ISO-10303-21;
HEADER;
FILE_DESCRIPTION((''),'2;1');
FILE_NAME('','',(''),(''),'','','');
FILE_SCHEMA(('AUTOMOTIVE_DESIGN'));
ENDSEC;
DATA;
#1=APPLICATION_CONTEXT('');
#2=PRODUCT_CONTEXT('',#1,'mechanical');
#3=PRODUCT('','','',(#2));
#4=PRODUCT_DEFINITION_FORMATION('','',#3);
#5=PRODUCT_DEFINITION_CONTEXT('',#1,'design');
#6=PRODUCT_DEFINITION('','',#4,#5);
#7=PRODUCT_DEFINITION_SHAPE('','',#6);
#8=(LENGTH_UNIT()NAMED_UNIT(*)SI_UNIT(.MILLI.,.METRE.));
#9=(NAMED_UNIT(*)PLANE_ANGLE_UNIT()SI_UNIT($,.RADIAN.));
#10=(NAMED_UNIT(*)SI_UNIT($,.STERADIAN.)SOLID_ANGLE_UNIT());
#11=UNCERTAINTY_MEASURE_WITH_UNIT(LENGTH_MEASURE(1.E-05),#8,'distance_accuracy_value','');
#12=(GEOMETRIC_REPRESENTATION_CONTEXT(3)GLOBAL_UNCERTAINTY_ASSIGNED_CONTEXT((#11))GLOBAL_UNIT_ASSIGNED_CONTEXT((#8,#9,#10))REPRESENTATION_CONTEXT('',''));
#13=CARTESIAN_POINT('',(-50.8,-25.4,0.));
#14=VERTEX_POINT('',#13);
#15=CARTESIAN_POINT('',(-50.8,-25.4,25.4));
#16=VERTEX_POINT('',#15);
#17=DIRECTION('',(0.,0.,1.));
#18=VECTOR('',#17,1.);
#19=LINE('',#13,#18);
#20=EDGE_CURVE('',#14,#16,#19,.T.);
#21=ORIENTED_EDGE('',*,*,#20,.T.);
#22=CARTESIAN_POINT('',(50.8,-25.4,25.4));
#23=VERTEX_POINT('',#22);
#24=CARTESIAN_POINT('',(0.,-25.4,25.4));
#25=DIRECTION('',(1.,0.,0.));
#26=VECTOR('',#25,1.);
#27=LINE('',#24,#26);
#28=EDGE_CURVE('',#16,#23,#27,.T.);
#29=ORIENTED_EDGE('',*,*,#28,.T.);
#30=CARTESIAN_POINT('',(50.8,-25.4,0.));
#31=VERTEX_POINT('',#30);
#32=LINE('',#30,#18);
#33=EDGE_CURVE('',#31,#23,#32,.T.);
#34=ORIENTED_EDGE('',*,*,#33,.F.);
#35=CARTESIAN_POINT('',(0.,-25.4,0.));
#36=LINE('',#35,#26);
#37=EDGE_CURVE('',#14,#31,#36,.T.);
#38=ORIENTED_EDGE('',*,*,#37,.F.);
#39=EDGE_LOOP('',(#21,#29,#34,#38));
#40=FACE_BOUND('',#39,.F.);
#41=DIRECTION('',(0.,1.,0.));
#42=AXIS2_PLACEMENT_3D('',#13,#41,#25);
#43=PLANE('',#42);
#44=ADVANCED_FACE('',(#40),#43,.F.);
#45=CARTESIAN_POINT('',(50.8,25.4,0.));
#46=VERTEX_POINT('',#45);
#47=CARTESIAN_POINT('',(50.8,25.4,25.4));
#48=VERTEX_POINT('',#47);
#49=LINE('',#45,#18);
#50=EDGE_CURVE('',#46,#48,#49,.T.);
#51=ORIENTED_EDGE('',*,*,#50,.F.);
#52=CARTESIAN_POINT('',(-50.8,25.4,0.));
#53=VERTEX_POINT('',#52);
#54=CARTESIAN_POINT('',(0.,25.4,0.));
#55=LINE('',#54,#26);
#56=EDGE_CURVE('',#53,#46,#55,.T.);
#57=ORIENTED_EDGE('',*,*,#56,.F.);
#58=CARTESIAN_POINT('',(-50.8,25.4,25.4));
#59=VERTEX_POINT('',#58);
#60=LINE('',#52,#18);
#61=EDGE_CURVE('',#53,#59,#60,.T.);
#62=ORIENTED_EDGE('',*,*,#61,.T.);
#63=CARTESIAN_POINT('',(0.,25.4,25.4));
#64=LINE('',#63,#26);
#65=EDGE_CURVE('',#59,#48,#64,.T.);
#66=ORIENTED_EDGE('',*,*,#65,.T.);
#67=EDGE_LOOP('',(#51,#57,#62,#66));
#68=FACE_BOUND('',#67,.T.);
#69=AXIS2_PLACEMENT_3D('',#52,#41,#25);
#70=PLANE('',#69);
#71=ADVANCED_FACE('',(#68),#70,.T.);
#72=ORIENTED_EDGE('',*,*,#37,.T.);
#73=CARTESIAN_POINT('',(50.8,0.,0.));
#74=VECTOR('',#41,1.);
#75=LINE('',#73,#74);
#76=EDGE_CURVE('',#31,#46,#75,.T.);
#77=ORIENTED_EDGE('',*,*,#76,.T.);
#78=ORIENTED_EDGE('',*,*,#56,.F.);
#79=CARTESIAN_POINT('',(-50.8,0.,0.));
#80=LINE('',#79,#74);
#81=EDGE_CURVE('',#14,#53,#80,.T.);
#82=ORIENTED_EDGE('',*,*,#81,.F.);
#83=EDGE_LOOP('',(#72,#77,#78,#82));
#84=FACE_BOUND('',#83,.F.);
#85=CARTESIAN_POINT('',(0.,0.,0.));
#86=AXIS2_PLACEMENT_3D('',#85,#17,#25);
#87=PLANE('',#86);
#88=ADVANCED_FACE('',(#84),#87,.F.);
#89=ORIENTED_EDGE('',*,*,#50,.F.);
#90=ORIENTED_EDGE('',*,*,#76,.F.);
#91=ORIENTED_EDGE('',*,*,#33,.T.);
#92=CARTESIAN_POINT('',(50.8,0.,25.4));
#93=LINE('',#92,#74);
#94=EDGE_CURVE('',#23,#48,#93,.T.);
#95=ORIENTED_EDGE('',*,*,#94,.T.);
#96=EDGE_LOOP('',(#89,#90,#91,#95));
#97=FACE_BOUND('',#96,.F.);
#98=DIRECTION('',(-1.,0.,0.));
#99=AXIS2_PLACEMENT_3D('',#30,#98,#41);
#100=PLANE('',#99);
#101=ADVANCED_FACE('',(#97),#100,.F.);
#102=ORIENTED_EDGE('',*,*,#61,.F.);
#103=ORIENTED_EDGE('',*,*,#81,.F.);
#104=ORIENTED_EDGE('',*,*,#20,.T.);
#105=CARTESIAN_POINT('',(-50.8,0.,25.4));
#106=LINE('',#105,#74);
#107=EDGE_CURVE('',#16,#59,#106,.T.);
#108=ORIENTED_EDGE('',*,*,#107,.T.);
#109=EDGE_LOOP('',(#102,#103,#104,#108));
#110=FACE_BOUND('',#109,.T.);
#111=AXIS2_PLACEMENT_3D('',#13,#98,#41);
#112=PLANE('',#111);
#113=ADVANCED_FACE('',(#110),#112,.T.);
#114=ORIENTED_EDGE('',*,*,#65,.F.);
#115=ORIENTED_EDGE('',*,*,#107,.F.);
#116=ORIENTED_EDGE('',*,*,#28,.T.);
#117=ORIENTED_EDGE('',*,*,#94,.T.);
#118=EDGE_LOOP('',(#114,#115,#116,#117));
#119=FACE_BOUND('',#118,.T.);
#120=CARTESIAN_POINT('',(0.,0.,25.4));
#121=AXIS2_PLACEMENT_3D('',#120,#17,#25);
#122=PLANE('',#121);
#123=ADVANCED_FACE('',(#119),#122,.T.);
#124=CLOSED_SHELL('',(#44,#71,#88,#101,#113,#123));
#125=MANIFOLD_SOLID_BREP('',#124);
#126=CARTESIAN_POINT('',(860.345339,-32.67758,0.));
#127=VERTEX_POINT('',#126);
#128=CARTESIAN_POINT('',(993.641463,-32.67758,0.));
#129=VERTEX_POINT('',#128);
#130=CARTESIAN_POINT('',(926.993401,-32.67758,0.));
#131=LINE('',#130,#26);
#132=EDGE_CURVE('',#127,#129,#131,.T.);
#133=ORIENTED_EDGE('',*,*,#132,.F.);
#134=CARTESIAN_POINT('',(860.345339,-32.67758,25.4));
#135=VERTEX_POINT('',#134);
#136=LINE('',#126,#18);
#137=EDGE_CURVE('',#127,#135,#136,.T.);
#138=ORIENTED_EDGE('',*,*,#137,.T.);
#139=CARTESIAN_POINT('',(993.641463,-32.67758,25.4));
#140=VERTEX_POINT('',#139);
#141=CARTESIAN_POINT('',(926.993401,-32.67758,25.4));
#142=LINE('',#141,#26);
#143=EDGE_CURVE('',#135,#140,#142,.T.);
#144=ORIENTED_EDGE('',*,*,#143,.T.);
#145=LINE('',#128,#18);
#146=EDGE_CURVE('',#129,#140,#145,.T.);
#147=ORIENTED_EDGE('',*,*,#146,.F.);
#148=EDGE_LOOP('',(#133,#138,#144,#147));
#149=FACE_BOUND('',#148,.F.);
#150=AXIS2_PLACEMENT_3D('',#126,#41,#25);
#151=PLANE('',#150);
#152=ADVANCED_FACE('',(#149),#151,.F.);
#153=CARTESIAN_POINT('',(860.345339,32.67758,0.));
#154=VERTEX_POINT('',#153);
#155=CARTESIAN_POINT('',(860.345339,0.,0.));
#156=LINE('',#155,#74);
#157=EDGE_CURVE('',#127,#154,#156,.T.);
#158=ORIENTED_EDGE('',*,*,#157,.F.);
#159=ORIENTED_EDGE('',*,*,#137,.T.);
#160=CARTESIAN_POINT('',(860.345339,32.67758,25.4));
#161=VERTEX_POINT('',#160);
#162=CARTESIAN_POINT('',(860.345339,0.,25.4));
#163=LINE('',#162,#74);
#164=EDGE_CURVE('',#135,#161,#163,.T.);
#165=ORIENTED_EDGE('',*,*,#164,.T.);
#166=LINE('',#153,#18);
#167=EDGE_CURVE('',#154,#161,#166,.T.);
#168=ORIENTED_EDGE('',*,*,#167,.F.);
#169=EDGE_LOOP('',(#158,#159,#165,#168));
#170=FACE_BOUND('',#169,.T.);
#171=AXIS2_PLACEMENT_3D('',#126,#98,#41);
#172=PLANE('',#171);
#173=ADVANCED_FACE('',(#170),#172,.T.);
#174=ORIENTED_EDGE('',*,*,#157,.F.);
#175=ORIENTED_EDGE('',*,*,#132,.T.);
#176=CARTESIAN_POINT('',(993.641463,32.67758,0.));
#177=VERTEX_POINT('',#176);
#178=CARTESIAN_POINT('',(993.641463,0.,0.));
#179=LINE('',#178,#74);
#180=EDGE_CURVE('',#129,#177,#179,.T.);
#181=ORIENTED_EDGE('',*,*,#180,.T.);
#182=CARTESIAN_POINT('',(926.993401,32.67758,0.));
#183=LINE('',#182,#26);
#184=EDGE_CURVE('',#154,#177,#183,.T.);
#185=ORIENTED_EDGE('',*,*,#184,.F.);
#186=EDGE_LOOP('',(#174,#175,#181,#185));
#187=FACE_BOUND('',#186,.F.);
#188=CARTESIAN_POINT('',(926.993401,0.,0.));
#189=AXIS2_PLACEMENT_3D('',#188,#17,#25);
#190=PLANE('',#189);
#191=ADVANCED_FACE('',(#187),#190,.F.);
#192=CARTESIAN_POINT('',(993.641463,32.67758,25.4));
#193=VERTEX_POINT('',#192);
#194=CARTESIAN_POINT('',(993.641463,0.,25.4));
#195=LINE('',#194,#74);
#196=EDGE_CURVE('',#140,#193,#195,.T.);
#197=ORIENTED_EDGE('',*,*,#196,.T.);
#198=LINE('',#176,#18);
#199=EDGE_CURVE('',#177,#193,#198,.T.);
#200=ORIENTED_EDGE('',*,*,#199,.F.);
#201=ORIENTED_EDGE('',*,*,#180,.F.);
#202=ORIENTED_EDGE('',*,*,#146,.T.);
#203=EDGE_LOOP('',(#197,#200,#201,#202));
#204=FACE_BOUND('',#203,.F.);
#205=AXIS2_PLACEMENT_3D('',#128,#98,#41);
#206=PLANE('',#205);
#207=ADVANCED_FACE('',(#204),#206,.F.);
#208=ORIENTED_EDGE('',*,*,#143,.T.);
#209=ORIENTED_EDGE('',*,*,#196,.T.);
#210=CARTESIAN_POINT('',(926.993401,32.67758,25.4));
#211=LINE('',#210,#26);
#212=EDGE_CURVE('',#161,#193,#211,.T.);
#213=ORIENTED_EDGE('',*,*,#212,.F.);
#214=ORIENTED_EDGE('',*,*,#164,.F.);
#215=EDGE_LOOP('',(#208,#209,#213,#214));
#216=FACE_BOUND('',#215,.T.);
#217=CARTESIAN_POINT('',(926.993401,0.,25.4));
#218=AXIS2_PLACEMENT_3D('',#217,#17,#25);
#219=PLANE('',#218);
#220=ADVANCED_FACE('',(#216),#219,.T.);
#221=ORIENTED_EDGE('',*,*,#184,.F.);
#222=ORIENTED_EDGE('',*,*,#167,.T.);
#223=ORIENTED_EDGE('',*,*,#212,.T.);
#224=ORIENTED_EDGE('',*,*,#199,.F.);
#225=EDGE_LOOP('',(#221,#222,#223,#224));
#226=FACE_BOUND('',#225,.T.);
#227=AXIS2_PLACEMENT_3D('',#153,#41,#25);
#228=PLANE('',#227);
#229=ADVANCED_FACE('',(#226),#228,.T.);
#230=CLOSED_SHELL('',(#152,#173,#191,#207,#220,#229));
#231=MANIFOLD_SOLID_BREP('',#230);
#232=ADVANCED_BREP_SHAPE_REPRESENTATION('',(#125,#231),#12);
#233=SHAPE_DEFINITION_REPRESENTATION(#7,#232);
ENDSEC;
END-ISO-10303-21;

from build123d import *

# Parameters (mm, degrees)
F0_W     = 133.296125
F0_H     = 65.35516
F0_W_2   = 101.6
F0_H_2   = 50.8
F1_DEPTH = 25.4


with BuildPart() as f1:
    # F0 (on Top) → F1 (new body)
    with BuildSketch(Plane.XY):
        with Locations((926.993401, 0)):
            Rectangle(F0_W, F0_H)
        Rectangle(F0_W_2, F0_H_2)
    extrude(amount=F1_DEPTH)


solid = f1.part
